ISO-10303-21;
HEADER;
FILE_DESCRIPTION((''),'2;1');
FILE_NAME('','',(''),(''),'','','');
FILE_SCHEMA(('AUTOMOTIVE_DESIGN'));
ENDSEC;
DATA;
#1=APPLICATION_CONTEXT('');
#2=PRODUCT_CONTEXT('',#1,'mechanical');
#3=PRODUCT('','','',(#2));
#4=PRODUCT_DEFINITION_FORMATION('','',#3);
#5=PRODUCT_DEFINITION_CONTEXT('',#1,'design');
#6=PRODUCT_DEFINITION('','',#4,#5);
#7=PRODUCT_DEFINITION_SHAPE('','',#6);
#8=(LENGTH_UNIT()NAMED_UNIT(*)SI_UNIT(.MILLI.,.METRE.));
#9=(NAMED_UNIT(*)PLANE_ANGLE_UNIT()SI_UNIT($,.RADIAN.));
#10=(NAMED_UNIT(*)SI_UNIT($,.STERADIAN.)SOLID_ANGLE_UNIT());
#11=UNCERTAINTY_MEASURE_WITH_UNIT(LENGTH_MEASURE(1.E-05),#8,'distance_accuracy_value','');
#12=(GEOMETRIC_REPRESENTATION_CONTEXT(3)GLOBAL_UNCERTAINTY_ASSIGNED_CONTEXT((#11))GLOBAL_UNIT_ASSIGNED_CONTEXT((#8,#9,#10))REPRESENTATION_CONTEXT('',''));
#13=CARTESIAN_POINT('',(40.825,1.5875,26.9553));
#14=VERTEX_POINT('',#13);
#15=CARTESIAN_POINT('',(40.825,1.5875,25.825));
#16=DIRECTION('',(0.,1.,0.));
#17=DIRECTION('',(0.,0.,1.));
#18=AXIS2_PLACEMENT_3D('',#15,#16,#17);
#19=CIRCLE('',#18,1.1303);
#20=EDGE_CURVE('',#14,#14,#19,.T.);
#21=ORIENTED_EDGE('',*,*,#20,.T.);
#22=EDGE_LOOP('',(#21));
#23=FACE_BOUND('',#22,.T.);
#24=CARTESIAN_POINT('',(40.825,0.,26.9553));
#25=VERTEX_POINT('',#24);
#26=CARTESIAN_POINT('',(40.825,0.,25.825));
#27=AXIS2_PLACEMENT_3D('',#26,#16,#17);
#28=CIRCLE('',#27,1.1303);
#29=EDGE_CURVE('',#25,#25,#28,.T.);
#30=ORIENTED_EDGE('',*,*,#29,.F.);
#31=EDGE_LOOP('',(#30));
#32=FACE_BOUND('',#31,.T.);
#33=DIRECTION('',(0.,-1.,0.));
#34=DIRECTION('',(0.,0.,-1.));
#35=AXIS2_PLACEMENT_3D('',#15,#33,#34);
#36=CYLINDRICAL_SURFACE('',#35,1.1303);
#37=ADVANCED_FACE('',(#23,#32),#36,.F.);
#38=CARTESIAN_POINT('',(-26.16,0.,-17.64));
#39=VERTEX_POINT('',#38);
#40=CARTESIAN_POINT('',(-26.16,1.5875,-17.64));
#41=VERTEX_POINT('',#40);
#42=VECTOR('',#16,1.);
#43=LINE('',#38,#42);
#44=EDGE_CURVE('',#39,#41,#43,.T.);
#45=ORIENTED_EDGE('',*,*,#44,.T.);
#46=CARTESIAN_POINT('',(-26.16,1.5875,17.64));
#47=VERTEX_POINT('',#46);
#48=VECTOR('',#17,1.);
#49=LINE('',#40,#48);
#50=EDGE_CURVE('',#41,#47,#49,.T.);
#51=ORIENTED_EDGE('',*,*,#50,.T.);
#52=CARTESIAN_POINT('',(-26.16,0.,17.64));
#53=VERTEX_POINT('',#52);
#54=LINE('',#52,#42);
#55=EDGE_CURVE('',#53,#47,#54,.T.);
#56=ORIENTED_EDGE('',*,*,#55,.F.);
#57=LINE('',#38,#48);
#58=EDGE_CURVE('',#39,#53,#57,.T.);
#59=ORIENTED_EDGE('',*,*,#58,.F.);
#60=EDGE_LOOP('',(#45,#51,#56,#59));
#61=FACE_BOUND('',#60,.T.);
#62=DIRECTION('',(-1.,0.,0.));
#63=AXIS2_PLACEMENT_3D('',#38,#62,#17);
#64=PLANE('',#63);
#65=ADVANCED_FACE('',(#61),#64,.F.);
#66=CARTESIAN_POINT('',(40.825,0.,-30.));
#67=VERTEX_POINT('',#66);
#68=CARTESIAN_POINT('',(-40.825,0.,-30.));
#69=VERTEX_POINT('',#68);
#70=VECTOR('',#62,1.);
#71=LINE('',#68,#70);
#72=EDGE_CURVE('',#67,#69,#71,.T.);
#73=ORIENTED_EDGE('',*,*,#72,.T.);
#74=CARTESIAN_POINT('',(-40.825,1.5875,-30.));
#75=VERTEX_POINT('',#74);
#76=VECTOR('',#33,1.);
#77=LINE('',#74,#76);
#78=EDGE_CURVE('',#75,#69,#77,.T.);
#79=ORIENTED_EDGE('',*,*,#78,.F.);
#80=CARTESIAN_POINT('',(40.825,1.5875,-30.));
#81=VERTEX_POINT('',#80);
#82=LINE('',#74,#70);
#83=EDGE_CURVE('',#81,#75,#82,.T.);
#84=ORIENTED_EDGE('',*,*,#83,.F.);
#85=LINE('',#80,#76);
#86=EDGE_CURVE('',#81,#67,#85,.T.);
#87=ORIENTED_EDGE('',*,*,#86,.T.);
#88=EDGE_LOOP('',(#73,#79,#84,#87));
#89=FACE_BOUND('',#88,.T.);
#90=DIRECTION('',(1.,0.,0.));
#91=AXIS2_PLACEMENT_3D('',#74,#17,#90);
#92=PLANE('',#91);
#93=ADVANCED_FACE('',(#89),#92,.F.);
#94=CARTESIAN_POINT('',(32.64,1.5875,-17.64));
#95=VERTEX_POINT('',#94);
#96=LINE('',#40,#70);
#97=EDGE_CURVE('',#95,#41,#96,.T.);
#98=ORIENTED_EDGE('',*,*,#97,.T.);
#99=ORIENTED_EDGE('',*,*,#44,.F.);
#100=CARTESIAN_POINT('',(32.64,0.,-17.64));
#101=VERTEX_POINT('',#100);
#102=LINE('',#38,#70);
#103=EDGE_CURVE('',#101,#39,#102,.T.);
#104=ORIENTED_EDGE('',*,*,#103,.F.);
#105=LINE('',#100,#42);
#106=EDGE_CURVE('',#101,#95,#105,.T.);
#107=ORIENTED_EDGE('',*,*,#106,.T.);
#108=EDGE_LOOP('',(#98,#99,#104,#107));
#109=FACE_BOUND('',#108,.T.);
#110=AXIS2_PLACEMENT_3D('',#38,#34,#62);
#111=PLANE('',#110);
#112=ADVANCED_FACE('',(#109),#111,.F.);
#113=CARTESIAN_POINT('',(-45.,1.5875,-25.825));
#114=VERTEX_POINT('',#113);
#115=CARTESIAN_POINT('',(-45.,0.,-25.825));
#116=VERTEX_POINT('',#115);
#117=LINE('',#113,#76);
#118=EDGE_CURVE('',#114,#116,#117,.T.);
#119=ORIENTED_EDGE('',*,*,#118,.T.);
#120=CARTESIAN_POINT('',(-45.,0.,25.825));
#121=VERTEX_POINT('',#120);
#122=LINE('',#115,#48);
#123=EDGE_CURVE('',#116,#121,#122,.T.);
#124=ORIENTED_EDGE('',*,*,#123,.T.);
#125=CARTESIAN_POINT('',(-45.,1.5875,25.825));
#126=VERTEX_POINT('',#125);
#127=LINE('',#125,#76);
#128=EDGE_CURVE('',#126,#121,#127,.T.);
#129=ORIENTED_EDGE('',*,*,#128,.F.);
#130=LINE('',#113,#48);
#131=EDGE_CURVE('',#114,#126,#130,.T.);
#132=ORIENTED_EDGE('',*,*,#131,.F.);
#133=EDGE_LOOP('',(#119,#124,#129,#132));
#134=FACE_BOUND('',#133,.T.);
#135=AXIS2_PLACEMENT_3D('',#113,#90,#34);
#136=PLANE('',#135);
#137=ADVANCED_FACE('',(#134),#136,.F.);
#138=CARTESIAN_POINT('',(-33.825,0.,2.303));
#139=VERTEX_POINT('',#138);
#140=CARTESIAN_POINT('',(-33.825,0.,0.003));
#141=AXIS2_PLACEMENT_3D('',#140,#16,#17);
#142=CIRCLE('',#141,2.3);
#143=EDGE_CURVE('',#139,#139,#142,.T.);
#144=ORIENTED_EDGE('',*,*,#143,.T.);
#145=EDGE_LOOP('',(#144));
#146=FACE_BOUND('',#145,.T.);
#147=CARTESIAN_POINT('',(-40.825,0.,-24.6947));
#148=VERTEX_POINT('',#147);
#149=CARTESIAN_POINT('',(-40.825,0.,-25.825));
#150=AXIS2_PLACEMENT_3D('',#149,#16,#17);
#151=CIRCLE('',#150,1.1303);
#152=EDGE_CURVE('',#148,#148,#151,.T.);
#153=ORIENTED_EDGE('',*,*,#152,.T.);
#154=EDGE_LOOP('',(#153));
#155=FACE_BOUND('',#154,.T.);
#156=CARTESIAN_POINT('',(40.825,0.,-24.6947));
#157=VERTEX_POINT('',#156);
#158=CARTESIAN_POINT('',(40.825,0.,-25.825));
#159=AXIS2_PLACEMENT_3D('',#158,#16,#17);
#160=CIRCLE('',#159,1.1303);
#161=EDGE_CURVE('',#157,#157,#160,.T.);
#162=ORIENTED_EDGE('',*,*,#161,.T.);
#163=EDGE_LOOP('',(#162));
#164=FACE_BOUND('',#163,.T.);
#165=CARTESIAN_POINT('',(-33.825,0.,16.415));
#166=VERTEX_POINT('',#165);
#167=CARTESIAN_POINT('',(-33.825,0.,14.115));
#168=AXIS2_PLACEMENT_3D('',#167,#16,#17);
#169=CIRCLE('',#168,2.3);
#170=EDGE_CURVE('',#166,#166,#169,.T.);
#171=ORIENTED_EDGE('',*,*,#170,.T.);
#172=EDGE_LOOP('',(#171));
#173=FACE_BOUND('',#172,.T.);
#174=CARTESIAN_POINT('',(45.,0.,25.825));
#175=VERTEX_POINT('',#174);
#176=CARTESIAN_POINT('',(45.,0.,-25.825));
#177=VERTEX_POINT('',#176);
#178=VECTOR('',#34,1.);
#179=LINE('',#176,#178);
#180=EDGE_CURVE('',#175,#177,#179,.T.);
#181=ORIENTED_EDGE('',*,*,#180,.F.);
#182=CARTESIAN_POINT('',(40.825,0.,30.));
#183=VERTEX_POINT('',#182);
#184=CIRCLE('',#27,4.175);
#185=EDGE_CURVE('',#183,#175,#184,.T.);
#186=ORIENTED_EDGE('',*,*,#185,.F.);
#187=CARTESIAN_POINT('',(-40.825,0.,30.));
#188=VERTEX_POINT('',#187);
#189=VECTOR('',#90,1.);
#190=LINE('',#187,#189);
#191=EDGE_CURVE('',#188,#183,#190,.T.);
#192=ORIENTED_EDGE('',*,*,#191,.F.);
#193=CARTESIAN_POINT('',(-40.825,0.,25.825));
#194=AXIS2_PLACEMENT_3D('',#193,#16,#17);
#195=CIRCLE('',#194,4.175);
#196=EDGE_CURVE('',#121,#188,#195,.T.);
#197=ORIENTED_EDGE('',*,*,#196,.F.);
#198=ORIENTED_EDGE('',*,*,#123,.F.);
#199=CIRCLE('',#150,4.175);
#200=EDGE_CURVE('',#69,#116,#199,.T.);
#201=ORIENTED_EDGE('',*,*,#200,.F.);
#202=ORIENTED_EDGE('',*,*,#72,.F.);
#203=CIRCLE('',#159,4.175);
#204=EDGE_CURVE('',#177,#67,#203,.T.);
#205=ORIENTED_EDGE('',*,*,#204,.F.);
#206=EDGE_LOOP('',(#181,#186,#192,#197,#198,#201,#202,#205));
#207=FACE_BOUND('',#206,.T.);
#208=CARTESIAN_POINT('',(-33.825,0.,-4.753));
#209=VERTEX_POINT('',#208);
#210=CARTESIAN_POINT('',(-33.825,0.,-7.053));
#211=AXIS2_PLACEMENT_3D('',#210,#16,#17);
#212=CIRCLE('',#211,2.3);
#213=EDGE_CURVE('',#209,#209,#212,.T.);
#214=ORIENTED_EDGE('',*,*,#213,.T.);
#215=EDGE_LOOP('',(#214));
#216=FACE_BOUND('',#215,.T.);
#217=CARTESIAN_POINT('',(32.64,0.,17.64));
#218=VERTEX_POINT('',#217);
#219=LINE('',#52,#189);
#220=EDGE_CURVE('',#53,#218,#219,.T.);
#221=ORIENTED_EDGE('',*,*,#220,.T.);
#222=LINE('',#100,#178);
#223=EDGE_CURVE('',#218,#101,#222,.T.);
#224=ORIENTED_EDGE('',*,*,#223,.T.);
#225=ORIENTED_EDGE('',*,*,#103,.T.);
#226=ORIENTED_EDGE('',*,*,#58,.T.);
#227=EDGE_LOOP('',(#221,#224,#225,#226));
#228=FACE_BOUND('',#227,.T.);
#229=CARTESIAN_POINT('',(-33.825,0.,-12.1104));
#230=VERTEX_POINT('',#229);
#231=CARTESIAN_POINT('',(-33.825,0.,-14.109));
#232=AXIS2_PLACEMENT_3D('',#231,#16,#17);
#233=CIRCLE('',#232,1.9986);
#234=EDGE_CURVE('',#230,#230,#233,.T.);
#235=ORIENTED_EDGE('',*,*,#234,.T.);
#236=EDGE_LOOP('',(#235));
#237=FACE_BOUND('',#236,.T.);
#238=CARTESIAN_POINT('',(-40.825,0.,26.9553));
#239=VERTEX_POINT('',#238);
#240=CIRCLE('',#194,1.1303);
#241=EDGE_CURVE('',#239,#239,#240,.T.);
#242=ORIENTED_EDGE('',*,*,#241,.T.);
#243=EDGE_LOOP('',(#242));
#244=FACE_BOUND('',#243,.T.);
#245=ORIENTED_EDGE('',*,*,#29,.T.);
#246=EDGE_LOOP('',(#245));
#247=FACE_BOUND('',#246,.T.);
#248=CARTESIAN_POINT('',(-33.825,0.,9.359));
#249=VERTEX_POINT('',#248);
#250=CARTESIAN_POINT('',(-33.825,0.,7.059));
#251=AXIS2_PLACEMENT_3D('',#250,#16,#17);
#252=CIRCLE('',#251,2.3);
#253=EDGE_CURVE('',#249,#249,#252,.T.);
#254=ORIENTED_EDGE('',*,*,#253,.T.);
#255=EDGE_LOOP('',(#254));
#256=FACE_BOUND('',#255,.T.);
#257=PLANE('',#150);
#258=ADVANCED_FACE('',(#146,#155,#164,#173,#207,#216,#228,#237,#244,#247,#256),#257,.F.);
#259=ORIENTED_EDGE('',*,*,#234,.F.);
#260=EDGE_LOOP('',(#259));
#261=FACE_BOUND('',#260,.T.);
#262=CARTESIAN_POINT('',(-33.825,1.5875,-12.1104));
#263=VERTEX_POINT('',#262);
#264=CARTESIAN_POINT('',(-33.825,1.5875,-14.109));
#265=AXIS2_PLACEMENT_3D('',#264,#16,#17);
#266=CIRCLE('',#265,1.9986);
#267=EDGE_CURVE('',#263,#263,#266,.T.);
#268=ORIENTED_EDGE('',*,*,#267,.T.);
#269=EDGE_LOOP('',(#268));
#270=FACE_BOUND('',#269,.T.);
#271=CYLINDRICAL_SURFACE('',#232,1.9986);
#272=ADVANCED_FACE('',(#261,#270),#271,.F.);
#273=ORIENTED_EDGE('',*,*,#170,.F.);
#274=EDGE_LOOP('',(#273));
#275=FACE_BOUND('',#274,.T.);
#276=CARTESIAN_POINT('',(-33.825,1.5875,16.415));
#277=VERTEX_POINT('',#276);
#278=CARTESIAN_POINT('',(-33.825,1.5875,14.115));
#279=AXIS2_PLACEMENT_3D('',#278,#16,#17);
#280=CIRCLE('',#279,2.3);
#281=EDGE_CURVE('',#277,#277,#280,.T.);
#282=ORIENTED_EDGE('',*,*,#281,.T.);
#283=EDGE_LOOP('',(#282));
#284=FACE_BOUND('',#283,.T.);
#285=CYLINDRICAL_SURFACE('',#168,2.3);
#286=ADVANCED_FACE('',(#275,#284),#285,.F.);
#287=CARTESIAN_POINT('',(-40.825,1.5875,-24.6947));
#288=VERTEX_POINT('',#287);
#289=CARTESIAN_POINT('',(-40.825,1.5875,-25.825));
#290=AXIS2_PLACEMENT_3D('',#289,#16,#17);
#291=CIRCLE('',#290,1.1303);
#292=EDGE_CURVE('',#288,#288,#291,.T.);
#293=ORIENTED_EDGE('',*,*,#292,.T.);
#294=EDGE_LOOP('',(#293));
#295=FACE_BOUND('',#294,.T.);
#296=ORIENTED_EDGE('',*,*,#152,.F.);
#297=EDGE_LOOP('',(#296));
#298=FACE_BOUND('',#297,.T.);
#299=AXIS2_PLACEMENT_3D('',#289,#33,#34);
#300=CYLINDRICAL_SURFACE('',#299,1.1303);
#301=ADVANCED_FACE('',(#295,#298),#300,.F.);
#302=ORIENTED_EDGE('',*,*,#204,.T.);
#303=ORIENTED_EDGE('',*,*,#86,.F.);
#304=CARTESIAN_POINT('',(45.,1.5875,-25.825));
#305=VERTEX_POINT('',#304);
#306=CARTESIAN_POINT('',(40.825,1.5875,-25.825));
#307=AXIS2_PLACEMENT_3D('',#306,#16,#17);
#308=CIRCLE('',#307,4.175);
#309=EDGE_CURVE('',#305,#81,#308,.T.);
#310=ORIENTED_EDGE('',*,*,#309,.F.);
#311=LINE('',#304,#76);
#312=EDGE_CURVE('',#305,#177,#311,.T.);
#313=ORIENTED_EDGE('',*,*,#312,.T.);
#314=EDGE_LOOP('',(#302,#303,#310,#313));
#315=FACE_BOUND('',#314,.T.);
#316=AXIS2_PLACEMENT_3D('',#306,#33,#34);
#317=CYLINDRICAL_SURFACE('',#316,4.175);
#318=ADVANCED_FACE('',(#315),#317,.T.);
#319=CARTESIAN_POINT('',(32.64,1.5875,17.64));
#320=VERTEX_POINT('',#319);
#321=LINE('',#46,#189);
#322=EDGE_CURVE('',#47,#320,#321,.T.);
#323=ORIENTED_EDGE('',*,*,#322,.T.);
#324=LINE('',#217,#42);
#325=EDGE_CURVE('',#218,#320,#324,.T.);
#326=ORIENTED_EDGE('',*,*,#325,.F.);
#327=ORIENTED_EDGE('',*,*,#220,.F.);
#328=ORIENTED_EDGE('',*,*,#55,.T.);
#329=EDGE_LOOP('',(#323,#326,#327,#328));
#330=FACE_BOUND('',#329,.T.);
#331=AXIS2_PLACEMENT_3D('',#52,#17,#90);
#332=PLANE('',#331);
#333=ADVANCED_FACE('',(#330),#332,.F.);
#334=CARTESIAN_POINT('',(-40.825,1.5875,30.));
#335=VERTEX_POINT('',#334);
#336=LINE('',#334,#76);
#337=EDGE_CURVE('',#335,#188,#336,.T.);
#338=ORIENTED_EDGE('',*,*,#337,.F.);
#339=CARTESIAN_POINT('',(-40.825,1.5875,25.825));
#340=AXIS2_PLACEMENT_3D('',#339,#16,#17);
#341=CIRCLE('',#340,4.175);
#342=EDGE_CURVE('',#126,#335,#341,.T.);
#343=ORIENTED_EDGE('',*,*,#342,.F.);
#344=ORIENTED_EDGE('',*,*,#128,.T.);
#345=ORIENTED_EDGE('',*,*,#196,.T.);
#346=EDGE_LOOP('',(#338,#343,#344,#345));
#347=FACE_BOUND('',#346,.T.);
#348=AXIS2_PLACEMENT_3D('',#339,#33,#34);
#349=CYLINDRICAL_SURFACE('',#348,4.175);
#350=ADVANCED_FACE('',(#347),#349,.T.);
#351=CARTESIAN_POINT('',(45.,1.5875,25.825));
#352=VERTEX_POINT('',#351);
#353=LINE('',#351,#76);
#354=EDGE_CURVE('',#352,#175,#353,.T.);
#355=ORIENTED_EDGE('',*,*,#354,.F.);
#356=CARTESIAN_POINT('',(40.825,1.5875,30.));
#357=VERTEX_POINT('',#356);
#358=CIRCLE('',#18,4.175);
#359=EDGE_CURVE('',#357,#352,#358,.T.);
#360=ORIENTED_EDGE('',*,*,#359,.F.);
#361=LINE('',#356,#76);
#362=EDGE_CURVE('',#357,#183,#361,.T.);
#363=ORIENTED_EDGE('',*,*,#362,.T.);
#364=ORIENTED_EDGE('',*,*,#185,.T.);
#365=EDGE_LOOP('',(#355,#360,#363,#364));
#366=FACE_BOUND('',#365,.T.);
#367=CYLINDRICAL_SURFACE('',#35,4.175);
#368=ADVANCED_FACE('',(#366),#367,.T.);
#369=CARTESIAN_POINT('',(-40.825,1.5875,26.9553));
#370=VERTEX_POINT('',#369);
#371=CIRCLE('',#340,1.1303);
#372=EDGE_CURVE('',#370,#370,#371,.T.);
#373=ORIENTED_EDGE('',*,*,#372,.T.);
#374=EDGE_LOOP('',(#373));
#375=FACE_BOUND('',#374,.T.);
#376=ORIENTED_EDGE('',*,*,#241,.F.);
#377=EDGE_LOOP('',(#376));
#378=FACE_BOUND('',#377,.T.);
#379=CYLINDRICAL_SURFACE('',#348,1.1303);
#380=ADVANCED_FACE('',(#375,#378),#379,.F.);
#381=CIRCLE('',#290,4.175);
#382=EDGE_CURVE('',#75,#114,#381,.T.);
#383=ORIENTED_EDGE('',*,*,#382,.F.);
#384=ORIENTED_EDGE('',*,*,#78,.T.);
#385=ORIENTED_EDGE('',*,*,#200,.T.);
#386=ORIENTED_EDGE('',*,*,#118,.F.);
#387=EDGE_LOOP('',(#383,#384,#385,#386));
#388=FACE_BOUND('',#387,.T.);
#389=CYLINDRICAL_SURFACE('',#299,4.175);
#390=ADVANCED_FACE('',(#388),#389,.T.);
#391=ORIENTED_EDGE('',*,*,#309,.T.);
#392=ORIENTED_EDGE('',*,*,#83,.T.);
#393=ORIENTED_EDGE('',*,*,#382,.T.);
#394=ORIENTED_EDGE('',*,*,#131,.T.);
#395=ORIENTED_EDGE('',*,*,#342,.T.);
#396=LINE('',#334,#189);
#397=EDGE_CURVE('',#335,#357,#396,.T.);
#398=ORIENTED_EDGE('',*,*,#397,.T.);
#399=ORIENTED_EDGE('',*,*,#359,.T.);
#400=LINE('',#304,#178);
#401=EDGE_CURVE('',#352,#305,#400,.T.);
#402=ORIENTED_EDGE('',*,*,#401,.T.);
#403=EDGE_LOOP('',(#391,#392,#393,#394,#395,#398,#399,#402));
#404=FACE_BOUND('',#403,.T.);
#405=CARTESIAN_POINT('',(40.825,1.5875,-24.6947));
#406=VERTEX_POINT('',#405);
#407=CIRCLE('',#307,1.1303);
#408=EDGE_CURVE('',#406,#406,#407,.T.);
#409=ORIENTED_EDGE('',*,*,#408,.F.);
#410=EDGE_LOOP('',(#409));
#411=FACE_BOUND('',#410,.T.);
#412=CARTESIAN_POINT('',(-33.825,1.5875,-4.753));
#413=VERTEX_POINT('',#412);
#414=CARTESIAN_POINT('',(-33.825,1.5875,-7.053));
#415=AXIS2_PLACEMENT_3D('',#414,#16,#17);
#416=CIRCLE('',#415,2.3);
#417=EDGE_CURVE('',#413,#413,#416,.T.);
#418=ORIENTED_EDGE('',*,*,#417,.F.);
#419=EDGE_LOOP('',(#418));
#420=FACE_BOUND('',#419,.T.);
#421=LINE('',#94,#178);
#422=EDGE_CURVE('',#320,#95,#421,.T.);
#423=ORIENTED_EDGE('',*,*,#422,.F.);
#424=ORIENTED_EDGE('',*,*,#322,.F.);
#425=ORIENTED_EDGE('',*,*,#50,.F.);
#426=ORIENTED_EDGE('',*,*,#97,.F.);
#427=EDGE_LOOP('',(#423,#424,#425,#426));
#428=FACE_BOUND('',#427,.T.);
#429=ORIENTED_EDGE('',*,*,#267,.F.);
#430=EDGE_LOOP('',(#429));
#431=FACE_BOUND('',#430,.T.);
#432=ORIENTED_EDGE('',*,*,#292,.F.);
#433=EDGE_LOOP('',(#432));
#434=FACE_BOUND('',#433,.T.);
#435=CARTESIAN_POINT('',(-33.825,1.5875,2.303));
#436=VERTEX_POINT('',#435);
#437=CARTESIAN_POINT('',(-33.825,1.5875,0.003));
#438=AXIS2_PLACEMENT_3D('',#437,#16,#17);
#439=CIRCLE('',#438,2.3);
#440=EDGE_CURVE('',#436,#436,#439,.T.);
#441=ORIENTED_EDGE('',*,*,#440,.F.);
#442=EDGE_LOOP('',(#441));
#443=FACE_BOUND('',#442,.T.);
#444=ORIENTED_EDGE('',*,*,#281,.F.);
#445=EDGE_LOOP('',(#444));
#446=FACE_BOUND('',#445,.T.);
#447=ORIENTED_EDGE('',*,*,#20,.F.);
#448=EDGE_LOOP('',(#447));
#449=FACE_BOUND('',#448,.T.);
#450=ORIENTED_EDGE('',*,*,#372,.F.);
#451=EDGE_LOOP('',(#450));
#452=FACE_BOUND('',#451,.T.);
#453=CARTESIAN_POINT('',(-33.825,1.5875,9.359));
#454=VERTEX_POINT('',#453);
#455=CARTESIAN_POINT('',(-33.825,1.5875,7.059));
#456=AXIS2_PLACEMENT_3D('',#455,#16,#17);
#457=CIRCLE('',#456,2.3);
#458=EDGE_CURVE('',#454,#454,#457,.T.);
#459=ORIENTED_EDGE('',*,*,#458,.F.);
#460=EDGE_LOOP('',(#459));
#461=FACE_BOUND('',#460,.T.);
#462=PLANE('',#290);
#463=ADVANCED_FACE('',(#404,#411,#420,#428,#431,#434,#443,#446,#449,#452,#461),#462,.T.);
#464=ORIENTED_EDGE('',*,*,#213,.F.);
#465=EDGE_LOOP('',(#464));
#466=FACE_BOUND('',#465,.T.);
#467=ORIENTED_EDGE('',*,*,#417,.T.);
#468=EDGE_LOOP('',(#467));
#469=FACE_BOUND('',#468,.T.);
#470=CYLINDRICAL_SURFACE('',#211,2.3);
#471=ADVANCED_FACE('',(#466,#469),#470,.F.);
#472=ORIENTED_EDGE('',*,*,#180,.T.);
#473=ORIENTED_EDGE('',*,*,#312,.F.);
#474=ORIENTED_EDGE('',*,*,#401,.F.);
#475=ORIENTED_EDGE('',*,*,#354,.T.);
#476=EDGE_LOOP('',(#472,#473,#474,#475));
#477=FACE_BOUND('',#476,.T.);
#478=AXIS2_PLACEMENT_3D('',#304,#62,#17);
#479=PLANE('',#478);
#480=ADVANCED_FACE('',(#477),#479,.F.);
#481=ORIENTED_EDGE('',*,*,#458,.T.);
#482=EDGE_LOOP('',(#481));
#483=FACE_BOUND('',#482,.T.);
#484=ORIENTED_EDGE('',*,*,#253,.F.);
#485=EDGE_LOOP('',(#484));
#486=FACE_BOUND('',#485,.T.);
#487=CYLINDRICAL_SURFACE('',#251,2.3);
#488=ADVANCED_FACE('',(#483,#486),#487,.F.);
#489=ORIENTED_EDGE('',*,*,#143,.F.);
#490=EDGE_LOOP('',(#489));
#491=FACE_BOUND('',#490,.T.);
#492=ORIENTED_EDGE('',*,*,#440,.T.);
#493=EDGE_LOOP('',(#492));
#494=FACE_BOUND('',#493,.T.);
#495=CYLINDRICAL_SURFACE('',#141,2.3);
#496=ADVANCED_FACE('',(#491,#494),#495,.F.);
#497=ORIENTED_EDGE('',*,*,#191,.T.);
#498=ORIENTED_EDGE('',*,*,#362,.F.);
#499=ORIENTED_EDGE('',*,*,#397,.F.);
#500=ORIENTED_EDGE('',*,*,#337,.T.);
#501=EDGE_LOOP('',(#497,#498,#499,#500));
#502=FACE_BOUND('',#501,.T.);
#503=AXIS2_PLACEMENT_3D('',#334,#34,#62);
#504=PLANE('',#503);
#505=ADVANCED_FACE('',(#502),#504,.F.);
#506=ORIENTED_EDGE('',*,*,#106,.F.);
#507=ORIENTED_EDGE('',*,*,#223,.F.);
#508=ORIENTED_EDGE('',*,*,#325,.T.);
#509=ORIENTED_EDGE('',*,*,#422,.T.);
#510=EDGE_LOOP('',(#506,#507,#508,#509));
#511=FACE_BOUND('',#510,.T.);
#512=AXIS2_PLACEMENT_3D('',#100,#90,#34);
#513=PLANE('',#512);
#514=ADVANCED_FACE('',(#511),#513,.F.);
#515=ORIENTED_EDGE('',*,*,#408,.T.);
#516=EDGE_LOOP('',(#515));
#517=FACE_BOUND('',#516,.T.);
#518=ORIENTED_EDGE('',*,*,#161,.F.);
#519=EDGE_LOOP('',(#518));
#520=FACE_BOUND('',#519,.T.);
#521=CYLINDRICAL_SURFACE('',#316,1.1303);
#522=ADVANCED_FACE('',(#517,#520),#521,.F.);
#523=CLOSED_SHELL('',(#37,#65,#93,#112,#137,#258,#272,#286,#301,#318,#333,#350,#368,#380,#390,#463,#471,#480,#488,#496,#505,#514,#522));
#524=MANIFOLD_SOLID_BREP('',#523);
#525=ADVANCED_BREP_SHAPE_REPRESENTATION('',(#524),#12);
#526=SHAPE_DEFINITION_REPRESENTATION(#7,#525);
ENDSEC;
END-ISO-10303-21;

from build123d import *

# Parameters (mm, degrees)
SKETCH2_R                 = 1.1303
BOSS_EXTRUDE3_DEPTH       = 1.5875
SKETCH4_R                 = 1.9986
SKETCH4_R_2               = 2.3
CUT_EXTRUDE1_DEPTH        = 55.106562968
SKETCH3_W                 = 58.8
SKETCH3_H                 = 35.28
CUT_EXTRUDE2_DEPTH        = 55.106562968
TAP_DRILL_FOR_4_40_TAP1_D = 2.2606


with BuildPart() as part:
    # Sketch2 → Boss-Extrude3 (new body)
    with BuildSketch(Plane(origin=(0, 0, 0), x_dir=(1, 0, 0), z_dir=(0, 1, 0))):
        with BuildLine():
            Line((-45, 25.825), (-45, -25.825))
            ThreePointArc((-45, -25.825), (-43.777170811, -28.777170811), (-40.825, -30))
            Line((-40.825, -30), (40.825, -30))
            ThreePointArc((40.825, -30), (43.777170811, -28.777170811), (45, -25.825))
            Line((45, -25.825), (45, 25.825))
            ThreePointArc((45, 25.825), (43.777170811, 28.777170811), (40.825, 30))
            Line((40.825, 30), (-40.825, 30))
            ThreePointArc((-40.825, 30), (-43.777170811, 28.777170811), (-45, 25.825))
        make_face()
        with Locations(Location((40.825, 25.825, 0), (0, 0, 270))):
            Circle(SKETCH2_R, mode=Mode.SUBTRACT)
        with Locations(Location((40.825, -25.825, 0), (0, 0, 270))):
            Circle(SKETCH2_R, mode=Mode.SUBTRACT)
        with Locations(Location((-40.825, 25.825, 0), (0, 0, 270))):
            Circle(SKETCH2_R, mode=Mode.SUBTRACT)
        with Locations(Location((-40.825, -25.825, 0), (0, 0, 270))):
            Circle(SKETCH2_R, mode=Mode.SUBTRACT)
    extrude(amount=BOSS_EXTRUDE3_DEPTH)

    # Sketch4 → Cut-Extrude1 (cut, through all)
    with BuildSketch(Plane(origin=(0, 1.5875, 0), x_dir=(1, 0, 0), z_dir=(0, 1, 0))):
        with Locations(Location((-33.825, 14.109, 0), (0, 0, 270))):
            Circle(SKETCH4_R)
        with Locations(Location((-33.825, 7.053, 0), (0, 0, 270))):
            Circle(SKETCH4_R_2)
        with Locations(Location((-33.825, -0.003, 0), (0, 0, 270))):
            Circle(SKETCH4_R_2)
        with Locations(Location((-33.825, -7.059, 0), (0, 0, 270))):
            Circle(SKETCH4_R_2)
        with Locations(Location((-33.825, -14.115, 0), (0, 0, 270))):
            Circle(SKETCH4_R_2)
    extrude(amount=-CUT_EXTRUDE1_DEPTH, mode=Mode.SUBTRACT)

    # Sketch3 → Cut-Extrude2 (cut, through all)
    with BuildSketch(Plane(origin=(0, 1.5875, 0), x_dir=(1, 0, 0), z_dir=(0, 1, 0))):
        with Locations((3.24, 0)):
            Rectangle(SKETCH3_W, SKETCH3_H)
    extrude(amount=-CUT_EXTRUDE2_DEPTH, mode=Mode.SUBTRACT)

    # Tap Drill for #4-40 Tap1 (through all)
    with Locations(Plane(origin=(-40.825, 1.5875, 25.825), x_dir=(0, 0, 1), z_dir=(0, 1, 0))):
        with Locations((0, 0), (-51.65, 0), (-51.65, 81.65), (0, 81.65)):
            Hole(TAP_DRILL_FOR_4_40_TAP1_D / 2)


solid = part.part
